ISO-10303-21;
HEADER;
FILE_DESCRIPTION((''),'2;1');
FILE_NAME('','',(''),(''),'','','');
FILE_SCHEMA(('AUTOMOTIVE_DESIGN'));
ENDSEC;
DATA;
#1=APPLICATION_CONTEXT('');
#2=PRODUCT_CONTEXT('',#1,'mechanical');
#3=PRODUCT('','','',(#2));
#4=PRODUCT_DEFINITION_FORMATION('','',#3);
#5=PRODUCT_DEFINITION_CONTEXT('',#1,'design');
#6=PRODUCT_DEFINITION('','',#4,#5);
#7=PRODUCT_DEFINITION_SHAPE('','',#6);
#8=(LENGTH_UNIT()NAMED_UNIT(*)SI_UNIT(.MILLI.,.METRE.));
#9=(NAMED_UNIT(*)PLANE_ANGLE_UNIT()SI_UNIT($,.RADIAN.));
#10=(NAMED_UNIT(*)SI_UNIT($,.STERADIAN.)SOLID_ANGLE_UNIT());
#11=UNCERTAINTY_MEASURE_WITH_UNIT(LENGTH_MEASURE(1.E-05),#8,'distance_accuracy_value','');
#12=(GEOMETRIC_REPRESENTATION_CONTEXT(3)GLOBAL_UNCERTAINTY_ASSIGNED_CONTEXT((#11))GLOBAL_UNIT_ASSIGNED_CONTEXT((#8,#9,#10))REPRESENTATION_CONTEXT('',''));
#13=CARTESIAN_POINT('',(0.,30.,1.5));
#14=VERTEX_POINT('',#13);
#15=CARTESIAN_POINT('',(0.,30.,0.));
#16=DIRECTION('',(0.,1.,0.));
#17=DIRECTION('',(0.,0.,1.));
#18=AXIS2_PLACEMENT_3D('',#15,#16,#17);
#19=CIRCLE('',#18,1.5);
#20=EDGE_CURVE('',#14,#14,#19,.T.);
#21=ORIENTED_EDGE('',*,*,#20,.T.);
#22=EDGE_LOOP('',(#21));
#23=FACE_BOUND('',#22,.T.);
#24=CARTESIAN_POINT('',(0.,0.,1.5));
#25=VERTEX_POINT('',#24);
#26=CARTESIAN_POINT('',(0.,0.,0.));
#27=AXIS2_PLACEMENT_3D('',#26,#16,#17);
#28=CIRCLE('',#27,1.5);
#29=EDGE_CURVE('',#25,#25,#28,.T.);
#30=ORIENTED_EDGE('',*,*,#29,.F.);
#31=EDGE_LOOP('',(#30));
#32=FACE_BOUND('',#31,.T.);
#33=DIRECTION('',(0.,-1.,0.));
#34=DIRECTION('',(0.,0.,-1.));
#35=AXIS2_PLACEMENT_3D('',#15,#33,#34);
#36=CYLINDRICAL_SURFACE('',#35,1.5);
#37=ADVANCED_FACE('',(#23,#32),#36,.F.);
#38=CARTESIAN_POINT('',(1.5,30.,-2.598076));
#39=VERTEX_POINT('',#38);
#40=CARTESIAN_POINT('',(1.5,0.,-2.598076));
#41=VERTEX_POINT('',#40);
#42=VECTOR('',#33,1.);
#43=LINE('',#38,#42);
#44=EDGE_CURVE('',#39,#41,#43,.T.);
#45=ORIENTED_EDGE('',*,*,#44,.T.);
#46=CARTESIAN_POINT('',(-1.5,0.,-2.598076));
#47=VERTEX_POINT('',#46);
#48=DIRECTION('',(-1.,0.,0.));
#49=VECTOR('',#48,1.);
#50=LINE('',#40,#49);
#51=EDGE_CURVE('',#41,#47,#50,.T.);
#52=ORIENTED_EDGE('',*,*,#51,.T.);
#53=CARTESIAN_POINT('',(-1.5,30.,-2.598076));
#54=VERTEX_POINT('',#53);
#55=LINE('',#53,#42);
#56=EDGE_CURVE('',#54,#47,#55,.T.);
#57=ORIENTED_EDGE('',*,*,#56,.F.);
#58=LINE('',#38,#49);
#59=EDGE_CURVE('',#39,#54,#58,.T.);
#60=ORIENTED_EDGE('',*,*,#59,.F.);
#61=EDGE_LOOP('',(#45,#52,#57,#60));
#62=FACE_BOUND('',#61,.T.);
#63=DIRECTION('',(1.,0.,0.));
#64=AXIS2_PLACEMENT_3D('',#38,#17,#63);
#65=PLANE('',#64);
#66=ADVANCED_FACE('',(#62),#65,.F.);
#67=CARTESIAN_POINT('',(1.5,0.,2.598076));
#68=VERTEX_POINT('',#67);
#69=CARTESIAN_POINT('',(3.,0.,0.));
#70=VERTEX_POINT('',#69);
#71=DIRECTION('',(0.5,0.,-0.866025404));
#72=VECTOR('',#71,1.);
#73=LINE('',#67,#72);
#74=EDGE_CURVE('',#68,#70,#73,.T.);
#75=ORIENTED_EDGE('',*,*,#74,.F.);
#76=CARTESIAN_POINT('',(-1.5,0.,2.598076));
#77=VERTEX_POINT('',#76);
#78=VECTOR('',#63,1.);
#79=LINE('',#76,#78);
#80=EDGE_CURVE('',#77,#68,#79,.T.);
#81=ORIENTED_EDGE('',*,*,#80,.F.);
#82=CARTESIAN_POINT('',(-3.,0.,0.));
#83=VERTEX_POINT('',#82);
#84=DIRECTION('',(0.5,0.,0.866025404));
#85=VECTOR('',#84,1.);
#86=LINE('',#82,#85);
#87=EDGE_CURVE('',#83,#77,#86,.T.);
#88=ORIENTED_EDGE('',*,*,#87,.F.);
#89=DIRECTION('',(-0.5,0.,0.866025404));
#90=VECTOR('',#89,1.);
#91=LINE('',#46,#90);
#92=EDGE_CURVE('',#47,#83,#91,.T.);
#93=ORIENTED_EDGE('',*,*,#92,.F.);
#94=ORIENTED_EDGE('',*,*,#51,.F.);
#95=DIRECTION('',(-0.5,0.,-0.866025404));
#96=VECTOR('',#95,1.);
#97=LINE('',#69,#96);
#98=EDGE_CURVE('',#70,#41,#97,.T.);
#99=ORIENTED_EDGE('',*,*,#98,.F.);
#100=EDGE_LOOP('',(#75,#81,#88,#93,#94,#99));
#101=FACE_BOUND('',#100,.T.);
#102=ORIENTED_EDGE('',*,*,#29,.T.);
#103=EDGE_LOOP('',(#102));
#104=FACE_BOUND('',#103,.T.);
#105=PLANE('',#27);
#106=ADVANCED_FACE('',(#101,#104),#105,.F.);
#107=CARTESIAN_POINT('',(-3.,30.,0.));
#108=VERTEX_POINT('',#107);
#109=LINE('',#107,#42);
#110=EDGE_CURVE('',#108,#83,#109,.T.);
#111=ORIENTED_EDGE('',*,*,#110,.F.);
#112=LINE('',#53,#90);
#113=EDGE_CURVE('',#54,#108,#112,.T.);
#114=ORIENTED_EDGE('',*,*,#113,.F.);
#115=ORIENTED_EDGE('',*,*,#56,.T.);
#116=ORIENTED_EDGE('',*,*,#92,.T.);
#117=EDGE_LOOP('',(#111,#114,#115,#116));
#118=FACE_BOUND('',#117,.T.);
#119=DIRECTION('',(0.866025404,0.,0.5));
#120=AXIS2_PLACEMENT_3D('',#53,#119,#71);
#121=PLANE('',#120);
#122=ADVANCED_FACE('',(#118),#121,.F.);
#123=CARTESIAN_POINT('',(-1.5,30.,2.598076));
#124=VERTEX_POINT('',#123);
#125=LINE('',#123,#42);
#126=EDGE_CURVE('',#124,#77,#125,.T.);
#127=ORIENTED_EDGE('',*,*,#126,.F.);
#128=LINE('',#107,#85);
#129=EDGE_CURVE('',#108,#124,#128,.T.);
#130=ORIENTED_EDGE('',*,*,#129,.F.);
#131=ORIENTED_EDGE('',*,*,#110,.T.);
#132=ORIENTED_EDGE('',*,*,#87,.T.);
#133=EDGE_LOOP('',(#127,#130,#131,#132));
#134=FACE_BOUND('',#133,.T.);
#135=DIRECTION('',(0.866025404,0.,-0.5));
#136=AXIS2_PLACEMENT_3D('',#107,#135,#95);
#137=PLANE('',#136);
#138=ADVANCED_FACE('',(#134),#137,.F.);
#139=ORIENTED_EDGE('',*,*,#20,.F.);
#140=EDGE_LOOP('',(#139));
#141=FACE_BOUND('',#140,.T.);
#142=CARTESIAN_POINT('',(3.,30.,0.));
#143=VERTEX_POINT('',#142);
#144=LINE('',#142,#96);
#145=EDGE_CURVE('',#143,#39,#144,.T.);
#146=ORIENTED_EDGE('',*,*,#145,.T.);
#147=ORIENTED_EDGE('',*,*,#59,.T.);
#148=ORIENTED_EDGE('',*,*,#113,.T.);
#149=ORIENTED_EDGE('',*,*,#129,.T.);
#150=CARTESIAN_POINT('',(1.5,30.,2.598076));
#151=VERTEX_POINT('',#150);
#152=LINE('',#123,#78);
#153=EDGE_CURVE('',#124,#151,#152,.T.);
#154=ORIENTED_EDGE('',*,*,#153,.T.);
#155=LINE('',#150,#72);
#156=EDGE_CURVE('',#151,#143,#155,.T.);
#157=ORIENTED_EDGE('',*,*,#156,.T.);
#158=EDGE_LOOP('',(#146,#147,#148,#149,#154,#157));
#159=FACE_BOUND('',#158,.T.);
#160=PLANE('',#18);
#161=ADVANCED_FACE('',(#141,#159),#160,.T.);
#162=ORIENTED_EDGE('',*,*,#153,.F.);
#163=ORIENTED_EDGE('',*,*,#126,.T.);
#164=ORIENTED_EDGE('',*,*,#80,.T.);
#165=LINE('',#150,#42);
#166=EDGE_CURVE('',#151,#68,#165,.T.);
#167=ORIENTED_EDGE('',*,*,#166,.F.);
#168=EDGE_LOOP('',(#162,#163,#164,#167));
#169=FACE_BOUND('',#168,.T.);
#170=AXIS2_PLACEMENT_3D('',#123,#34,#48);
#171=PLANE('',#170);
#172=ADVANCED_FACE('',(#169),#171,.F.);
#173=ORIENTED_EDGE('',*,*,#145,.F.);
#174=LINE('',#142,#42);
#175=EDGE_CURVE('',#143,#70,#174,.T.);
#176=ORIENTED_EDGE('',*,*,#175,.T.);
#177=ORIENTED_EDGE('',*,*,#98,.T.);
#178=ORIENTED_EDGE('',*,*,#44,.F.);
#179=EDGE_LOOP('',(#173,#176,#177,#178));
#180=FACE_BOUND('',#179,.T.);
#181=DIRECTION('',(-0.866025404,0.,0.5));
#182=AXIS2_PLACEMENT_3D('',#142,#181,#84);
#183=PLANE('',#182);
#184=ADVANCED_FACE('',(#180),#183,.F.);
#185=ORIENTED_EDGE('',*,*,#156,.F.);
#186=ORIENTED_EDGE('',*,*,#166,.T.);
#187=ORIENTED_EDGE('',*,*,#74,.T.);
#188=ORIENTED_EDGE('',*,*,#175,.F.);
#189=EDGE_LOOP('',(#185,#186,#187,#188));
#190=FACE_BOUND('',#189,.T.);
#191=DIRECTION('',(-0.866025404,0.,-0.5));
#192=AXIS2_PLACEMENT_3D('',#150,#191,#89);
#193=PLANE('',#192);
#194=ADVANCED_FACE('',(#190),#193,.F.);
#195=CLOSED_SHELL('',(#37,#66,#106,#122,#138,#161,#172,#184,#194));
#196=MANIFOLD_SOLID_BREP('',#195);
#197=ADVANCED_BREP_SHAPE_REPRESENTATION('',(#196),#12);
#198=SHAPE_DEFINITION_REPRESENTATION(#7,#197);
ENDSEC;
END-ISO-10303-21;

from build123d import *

# Parameters (mm, degrees)
SKETCH1_R           = 1.5
BOSS_EXTRUDE1_DEPTH = 30


with BuildPart() as part:
    # Sketch1 → Boss-Extrude1 (new body)
    with BuildSketch(Plane(origin=(0, 0, 0), x_dir=(1, 0, 0), z_dir=(0, 1, 0))):
        Polygon((1.5, 2.598076211), (-1.5, 2.598076211), (-3, 0), (-1.5, -2.598076211), (1.5, -2.598076211), (3, 0), align=None)
        Circle(SKETCH1_R, mode=Mode.SUBTRACT)
    extrude(amount=BOSS_EXTRUDE1_DEPTH)


solid = part.part
